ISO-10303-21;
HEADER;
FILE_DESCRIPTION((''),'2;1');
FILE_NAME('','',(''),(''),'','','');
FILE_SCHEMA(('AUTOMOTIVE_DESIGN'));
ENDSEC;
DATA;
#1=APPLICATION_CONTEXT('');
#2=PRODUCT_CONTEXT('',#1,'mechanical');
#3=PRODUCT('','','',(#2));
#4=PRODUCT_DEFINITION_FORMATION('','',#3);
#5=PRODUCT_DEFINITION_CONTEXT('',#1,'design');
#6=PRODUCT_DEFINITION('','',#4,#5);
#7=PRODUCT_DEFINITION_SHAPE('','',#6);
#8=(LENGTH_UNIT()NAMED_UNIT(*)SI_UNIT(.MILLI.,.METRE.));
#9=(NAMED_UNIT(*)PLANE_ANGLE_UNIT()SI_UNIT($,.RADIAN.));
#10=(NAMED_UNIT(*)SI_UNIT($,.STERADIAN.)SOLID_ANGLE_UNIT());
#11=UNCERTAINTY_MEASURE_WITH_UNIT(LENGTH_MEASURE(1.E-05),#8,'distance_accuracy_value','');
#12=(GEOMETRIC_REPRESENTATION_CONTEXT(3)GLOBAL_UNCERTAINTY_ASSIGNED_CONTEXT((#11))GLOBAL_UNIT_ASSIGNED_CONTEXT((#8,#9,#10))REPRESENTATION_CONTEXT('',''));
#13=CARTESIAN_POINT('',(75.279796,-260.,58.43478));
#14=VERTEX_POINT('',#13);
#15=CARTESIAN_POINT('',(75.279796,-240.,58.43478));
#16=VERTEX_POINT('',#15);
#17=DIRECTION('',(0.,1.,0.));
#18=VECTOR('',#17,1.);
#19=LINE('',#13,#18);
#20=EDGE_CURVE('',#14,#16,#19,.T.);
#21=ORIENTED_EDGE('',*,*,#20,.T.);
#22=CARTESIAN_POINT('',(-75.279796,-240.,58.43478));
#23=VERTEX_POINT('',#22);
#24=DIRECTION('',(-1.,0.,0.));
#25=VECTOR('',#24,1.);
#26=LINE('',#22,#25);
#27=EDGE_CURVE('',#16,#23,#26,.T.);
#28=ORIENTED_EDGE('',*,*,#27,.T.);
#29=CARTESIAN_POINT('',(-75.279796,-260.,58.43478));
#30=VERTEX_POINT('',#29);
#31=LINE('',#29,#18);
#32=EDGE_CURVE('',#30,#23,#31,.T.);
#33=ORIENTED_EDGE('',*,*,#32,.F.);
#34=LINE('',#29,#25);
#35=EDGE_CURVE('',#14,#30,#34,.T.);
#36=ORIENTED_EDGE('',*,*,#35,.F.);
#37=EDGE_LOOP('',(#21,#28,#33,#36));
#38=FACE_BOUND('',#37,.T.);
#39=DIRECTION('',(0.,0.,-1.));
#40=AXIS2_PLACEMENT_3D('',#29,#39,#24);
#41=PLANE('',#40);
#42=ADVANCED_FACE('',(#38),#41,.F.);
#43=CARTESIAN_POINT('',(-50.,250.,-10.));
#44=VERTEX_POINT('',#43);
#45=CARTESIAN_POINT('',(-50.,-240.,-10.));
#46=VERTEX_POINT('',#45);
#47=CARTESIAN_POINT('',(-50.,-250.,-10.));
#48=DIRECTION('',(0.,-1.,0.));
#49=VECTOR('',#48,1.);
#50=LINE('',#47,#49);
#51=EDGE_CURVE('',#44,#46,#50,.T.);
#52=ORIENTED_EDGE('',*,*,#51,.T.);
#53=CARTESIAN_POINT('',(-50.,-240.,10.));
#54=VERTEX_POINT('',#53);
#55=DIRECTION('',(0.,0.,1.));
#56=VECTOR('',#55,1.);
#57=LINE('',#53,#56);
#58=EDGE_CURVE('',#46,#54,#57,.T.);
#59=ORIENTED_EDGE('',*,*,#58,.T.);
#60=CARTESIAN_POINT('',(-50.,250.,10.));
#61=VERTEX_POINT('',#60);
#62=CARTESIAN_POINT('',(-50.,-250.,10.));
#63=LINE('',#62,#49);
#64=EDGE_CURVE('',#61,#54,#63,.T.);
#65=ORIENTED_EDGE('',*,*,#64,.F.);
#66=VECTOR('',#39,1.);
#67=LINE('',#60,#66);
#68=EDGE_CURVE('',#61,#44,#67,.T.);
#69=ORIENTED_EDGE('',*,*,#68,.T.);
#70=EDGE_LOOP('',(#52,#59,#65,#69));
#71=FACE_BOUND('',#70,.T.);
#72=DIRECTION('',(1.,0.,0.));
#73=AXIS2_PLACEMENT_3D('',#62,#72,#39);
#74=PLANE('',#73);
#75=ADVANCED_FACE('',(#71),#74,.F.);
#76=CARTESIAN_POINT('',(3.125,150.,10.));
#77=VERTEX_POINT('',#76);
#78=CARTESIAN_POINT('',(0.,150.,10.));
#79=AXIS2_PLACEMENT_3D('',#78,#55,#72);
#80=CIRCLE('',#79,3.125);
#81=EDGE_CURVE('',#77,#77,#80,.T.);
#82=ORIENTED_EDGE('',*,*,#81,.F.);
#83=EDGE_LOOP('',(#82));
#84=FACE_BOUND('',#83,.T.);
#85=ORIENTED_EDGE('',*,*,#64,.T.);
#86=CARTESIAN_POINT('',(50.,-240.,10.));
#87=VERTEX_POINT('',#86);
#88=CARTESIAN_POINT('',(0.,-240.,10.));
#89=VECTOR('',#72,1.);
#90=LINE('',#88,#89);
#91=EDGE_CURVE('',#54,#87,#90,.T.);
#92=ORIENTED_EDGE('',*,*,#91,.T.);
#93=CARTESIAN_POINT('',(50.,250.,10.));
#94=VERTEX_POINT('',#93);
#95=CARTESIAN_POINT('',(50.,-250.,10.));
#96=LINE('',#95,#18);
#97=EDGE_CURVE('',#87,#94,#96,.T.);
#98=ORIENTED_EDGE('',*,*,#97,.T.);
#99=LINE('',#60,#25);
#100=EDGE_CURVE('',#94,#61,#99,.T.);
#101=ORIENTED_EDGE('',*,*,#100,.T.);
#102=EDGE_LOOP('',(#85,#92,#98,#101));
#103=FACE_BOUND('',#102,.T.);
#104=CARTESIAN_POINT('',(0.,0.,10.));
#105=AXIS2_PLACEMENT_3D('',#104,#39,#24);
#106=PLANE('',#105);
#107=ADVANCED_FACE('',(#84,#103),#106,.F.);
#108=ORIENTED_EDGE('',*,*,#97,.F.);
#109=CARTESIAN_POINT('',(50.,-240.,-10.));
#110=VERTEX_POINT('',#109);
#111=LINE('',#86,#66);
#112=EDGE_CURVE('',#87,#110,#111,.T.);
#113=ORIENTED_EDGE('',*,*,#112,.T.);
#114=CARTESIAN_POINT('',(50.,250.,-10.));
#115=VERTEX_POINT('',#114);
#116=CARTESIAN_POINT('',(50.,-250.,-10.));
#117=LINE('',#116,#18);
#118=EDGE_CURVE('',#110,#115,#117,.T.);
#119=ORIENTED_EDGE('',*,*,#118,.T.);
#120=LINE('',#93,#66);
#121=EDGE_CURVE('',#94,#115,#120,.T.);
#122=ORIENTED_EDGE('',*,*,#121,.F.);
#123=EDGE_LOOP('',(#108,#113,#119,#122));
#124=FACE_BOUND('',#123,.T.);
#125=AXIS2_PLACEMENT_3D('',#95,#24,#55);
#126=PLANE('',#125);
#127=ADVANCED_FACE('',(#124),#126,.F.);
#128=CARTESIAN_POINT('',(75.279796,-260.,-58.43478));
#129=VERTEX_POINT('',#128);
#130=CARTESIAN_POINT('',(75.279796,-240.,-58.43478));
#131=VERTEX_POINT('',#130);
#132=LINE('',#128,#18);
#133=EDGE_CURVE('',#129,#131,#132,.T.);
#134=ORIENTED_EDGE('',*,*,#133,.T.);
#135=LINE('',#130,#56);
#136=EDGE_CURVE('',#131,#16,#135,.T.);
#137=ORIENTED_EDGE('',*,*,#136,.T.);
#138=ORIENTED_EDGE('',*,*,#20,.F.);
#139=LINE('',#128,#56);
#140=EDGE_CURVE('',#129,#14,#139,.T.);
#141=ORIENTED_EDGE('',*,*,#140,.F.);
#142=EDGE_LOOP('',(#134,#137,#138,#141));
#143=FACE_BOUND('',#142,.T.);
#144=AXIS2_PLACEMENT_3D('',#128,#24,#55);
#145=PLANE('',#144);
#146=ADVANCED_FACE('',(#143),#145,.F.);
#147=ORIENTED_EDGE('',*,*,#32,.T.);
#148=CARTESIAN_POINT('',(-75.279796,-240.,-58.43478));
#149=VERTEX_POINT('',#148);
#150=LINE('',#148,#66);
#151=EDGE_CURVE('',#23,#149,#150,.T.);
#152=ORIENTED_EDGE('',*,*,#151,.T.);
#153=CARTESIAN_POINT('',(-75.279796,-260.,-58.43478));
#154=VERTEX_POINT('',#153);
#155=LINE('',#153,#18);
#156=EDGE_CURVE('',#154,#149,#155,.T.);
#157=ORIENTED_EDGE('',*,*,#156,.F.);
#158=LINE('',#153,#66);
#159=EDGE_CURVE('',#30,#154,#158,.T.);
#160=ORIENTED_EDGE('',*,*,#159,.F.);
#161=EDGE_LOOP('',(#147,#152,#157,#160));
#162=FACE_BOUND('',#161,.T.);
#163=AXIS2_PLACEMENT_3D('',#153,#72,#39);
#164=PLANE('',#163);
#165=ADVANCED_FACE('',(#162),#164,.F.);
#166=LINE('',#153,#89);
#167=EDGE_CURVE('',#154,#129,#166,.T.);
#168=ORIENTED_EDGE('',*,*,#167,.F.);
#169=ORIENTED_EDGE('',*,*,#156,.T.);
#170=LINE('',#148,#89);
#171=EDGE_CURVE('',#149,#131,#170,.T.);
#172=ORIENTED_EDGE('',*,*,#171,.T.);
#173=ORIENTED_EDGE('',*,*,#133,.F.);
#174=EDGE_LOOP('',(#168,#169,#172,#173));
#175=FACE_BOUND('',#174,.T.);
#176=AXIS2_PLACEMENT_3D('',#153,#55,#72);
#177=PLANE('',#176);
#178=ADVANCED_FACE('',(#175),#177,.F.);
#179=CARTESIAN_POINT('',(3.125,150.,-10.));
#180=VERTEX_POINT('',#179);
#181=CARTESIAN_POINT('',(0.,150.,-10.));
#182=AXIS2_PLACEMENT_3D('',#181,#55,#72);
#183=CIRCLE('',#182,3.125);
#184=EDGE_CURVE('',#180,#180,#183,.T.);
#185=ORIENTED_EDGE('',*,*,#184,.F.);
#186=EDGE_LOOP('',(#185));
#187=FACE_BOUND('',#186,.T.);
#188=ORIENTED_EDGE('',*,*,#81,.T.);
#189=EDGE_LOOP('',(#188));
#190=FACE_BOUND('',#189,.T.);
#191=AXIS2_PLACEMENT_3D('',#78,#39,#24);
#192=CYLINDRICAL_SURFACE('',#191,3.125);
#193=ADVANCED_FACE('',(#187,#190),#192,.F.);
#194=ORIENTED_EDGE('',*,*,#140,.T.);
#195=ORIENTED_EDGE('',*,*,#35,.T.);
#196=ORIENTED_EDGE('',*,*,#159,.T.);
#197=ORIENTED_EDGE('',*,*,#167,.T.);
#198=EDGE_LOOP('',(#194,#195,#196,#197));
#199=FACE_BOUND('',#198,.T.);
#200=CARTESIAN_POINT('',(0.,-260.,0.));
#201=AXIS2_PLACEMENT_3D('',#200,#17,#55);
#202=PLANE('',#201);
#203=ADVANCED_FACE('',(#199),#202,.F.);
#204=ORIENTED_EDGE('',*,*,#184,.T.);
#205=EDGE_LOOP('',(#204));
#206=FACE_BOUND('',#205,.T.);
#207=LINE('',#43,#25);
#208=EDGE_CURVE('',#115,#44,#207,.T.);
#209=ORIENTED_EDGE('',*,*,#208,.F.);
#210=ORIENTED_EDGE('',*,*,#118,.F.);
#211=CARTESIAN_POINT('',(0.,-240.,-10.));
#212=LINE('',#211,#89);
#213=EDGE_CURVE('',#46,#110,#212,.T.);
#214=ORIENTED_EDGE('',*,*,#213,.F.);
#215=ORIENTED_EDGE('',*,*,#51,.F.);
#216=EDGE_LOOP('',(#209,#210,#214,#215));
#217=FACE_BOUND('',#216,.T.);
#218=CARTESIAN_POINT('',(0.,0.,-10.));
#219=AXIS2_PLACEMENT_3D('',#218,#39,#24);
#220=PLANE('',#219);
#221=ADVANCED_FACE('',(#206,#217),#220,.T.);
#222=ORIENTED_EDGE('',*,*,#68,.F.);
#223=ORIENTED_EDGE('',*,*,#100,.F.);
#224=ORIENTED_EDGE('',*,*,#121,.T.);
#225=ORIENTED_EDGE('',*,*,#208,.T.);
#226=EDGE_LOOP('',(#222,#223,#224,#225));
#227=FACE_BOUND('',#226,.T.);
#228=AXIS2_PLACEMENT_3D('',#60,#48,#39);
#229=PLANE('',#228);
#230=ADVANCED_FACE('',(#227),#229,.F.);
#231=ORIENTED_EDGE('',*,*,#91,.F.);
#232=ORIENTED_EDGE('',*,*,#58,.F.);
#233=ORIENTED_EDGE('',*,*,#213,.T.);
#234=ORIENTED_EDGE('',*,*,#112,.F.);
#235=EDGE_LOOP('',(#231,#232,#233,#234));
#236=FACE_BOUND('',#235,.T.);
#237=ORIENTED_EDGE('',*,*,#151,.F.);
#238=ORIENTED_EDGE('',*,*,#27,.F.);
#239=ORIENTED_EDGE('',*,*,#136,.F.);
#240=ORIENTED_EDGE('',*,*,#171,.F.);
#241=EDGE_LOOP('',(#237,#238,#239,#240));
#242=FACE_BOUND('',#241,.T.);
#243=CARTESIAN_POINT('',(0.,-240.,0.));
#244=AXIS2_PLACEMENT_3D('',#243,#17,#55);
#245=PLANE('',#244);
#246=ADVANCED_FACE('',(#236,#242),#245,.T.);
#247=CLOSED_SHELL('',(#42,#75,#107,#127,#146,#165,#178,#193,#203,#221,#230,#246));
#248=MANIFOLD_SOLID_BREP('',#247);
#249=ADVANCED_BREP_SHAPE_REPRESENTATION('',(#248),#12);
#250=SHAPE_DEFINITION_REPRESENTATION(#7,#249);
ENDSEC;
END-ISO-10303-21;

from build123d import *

# Parameters (mm, degrees)
CROQUIS1_W              = 100
CROQUIS1_H              = 500
CROQUIS1_R              = 3.125
SALIENTE_EXTRUIR1_DEPTH = 10
CROQUIS2_W              = 150.55959244
CROQUIS2_H              = 116.869560182
SALIENTE_EXTRUIR2_DEPTH = 10


with BuildPart() as part:
    # Croquis1 → Saliente-Extruir1 (new body, symmetric)
    with BuildSketch(Plane.XY):
        Rectangle(CROQUIS1_W, CROQUIS1_H)
        with Locations((0, 150)):
            Circle(CROQUIS1_R, mode=Mode.SUBTRACT)
    extrude(amount=SALIENTE_EXTRUIR1_DEPTH, both=True)

    # Croquis2 → Saliente-Extruir2 (add, symmetric)
    with BuildSketch(Plane.XZ.offset(250)):
        Rectangle(CROQUIS2_W, CROQUIS2_H)
    extrude(amount=SALIENTE_EXTRUIR2_DEPTH, both=True)


solid = part.part
